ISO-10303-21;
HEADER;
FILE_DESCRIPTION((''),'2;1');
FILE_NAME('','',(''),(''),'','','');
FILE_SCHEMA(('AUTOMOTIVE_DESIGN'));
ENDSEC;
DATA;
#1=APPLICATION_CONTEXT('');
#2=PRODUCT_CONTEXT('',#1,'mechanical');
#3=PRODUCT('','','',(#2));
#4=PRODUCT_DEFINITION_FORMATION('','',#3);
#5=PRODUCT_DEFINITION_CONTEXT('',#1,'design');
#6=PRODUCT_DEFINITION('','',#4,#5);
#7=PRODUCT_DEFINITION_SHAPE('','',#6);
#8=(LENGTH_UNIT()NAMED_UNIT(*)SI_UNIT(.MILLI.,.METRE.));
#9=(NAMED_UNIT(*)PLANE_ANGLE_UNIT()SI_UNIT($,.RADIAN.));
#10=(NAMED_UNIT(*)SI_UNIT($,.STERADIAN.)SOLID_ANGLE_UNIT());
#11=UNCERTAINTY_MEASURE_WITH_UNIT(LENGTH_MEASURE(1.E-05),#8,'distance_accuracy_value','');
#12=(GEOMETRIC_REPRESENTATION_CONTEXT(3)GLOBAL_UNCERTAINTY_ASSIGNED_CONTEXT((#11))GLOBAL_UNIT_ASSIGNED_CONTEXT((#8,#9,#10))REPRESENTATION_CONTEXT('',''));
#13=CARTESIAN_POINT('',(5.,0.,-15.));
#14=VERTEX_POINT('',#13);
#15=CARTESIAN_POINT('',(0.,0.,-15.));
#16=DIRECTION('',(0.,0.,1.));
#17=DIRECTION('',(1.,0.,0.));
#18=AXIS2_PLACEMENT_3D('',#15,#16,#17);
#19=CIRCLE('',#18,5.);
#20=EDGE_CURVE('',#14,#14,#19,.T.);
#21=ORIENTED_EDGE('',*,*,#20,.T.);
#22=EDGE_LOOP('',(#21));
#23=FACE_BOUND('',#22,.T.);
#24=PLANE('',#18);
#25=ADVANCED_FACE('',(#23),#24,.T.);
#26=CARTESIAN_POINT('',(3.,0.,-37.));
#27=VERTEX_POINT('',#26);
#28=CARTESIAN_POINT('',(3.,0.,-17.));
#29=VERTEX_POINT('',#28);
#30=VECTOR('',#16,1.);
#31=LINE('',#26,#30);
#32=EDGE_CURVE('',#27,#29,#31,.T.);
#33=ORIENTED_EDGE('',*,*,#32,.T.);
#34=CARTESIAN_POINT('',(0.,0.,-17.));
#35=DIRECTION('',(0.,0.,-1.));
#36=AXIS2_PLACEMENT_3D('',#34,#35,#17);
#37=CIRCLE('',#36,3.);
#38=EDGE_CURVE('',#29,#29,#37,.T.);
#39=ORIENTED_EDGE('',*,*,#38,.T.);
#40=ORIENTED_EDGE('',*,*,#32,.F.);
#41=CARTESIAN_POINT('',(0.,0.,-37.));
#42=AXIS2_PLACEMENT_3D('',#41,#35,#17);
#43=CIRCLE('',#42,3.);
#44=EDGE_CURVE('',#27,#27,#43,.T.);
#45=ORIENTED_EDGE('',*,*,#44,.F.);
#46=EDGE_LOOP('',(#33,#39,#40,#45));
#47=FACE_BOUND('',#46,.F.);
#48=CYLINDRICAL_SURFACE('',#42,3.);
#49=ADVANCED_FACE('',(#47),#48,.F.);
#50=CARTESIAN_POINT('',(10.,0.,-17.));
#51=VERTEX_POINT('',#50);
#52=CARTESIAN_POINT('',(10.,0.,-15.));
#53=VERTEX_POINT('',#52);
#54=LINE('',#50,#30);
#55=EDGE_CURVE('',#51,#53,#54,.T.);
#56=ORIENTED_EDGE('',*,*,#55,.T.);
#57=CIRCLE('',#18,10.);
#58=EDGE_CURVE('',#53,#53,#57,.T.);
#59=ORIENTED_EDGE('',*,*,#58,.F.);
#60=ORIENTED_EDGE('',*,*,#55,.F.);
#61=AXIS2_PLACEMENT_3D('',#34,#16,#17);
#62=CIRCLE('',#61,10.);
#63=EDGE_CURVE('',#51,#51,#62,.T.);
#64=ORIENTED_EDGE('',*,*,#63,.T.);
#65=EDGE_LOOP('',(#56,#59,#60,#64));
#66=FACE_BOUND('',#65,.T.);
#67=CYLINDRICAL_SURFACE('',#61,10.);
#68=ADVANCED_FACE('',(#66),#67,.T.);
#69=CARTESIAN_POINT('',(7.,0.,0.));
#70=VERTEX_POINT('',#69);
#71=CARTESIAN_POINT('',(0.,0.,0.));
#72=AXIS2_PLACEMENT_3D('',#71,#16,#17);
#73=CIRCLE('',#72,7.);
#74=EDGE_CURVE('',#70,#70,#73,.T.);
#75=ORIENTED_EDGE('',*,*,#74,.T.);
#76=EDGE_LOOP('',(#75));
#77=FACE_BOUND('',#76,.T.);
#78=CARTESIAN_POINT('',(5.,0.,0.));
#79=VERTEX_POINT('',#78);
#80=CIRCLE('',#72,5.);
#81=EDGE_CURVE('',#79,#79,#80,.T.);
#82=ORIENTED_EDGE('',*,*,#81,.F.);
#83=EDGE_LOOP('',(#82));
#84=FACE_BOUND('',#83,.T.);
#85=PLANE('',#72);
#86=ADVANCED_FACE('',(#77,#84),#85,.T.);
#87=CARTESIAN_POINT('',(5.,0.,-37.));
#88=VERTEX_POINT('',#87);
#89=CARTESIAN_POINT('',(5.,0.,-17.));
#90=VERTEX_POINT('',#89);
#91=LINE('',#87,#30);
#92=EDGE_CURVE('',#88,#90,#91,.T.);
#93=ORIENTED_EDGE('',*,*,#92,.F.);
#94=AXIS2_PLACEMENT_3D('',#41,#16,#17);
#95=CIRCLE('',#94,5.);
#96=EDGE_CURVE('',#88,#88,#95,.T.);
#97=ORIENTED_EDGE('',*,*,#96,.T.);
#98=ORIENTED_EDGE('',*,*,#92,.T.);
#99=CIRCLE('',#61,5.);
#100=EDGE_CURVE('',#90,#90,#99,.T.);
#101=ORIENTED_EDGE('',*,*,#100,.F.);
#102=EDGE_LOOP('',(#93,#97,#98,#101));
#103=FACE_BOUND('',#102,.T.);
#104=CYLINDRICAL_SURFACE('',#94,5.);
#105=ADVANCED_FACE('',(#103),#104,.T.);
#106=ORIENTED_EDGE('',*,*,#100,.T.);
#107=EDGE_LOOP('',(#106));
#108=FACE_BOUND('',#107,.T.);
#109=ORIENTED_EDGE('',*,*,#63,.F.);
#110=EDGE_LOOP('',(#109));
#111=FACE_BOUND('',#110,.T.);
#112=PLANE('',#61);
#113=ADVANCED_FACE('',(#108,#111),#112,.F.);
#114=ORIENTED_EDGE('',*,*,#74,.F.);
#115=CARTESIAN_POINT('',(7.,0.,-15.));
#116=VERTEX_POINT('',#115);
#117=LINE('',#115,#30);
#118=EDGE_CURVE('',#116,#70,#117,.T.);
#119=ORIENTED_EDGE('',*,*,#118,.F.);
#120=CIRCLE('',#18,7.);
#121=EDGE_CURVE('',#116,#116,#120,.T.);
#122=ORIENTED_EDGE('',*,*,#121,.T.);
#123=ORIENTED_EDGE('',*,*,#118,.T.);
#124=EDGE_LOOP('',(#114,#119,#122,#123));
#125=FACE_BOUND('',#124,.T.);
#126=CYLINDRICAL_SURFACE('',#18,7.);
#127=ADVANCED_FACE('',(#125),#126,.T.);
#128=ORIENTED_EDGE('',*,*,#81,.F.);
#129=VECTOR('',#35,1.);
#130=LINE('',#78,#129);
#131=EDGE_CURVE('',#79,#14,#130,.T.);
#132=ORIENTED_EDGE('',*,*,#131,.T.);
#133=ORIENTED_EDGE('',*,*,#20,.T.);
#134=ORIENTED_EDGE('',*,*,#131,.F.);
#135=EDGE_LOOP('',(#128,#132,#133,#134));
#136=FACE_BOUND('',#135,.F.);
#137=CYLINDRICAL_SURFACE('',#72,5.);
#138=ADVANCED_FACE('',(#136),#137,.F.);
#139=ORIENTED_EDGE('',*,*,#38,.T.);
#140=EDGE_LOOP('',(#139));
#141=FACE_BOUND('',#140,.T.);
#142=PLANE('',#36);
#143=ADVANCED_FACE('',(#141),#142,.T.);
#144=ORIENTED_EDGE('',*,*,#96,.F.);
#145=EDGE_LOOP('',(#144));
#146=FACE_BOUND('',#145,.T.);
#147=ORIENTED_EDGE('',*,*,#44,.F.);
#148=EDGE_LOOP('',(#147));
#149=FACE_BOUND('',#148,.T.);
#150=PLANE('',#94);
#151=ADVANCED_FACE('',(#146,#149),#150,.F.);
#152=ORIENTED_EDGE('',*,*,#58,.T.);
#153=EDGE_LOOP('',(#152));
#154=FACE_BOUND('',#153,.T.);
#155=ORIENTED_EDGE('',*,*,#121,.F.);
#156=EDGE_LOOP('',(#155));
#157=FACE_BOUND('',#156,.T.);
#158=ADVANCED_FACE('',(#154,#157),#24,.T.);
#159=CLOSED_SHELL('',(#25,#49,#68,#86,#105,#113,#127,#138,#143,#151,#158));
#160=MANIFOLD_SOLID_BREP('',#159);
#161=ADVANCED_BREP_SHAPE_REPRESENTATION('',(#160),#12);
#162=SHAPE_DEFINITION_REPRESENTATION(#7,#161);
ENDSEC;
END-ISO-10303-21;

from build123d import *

# Parameters (mm, degrees)
F2_R     = 5
F3_DEPTH = 15
F4_R     = 3
F5_DEPTH = 20
F6_R     = 2.9
F7_DEPTH = 20


with BuildPart() as f1:
    # F0 (on Front) → F1 (revolve)
    with BuildSketch(Plane.XZ):
        Polygon((7, 0), (0, 0), (0, -37), (5, -37), (5, -17), (7, -17), (10, -17), (10, -15), (7, -15), align=None)
    revolve(axis=Axis((0, 0, -18.5), (0, 0, 1)))

    # F2 (on face) → F3 (cut, through all)
    with BuildSketch(Plane.XY):
        Circle(F2_R)
    extrude(amount=-F3_DEPTH, mode=Mode.SUBTRACT)

    # F4 (on face) → F5 (cut, through all)
    with BuildSketch(Plane(origin=(0, 0, -37), x_dir=(1, 0, 0), z_dir=(0, 0, -1))):
        Circle(F4_R)
    extrude(amount=-F5_DEPTH, mode=Mode.SUBTRACT)


with BuildPart() as f7:
    # F6 (on face) → F7 (new body)
    with BuildSketch(Plane(origin=(0, 0, -37), x_dir=(1, 0, 0), z_dir=(0, 0, -1))):
        Circle(F6_R)
    extrude(amount=-F7_DEPTH)


solid = f1.part
